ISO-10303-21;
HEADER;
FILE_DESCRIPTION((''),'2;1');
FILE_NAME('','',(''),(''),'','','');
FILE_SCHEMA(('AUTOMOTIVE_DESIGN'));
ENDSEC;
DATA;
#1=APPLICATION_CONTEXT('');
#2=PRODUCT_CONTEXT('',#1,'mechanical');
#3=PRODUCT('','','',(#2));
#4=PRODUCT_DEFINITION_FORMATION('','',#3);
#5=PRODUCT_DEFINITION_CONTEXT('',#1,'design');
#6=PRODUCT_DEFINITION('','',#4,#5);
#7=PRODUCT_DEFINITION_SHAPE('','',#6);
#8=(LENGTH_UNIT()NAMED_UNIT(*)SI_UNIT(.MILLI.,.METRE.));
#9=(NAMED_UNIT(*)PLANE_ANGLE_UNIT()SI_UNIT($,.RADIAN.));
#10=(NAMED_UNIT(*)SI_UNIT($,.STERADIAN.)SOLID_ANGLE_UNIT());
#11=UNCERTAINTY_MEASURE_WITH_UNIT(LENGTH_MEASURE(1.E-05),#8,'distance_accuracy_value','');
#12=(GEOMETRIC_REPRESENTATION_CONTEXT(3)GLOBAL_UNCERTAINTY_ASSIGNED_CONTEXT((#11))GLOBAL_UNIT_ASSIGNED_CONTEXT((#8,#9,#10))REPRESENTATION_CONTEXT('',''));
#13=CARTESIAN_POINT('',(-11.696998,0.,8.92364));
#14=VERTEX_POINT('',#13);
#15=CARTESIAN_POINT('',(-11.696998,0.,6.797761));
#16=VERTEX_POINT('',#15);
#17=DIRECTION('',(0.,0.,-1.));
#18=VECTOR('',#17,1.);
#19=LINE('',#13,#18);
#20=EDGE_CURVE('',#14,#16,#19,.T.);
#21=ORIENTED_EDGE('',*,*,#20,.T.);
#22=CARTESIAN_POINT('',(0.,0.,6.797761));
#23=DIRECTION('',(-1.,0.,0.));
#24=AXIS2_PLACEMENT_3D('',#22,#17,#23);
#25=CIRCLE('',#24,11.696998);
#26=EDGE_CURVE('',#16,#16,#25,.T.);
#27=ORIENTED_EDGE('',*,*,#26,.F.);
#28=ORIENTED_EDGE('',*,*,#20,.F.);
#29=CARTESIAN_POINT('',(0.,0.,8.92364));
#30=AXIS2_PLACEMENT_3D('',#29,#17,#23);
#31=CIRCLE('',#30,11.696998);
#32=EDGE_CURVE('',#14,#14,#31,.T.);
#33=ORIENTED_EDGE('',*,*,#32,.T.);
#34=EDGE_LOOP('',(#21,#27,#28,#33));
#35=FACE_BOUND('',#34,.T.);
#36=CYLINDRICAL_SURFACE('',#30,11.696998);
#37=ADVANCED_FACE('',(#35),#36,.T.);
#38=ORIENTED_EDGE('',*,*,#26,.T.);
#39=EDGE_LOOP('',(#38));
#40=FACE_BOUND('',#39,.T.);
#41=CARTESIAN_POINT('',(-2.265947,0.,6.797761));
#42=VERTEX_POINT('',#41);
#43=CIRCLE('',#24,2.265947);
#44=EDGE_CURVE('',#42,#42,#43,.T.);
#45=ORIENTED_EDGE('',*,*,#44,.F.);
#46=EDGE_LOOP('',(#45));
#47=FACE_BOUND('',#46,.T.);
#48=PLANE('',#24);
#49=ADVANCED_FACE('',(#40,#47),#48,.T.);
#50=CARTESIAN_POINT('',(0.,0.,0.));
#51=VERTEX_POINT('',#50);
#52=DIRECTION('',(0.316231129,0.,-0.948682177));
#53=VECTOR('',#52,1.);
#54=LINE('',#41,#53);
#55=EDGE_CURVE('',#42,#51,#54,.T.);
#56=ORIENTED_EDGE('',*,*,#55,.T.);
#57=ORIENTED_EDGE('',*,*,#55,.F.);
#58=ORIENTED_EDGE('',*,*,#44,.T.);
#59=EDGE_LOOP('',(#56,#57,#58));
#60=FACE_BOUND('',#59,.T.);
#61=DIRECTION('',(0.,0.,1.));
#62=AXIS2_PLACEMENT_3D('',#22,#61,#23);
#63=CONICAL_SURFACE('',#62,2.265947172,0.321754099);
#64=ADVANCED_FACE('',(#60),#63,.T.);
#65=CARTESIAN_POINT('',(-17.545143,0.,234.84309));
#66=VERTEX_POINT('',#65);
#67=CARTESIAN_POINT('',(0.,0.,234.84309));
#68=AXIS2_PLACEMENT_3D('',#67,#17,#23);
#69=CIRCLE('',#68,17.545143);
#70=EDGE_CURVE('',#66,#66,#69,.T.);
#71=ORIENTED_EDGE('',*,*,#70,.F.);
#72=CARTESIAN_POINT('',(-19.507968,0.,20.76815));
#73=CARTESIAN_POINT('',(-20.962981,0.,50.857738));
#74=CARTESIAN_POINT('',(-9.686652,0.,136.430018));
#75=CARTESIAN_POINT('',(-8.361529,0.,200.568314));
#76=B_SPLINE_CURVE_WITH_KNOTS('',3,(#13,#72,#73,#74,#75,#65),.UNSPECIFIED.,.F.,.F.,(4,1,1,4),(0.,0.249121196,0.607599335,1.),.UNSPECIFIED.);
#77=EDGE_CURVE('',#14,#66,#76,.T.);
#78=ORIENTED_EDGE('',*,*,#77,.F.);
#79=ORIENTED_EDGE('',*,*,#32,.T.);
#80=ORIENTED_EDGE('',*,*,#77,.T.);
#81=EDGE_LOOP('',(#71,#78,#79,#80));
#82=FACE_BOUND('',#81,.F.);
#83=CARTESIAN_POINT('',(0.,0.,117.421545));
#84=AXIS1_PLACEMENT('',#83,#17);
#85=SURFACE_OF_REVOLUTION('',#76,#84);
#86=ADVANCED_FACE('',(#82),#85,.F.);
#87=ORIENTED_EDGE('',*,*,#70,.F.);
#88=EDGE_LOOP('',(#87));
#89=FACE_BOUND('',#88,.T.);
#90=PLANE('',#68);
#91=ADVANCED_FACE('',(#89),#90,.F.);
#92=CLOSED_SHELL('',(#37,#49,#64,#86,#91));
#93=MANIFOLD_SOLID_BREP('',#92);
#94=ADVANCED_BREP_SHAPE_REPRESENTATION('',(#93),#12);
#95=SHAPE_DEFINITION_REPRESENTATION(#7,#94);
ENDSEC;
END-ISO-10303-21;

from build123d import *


with BuildPart() as f1:
    # F0 (on Front) → F1 (revolve)
    with BuildSketch(Plane.XZ):
        with BuildLine():
            Line((-2.2659471724, 6.7977611907), (0, 0))
            Line((0, 0), (0, 234.8430901766))
            Line((0, 234.8430901766), (-17.5451431423, 234.8430901766))
            add(Edge.make_bspline(
                [(-11.6969980299, 8.9236395609), (-19.5079684147, 20.7681497247), (-20.9629812549, 50.8577379023), (-9.6866520851, 136.4300182008), (-8.3615290853, 200.5683137411), (-17.5451431423, 234.8430901766)],
                knots=[0, 0, 0, 0, 0.249121196, 0.6075993354, 1, 1, 1, 1], degree=3))
            Line((-11.6969980299, 8.9236395609), (-11.6969980299, 6.7977611907))
            Line((-11.6969980299, 6.7977611907), (-2.2659471724, 6.7977611907))
        make_face()
    revolve(axis=Axis((0, 0, 117.4215450883), (0, 0, -1)))


solid = f1.part
